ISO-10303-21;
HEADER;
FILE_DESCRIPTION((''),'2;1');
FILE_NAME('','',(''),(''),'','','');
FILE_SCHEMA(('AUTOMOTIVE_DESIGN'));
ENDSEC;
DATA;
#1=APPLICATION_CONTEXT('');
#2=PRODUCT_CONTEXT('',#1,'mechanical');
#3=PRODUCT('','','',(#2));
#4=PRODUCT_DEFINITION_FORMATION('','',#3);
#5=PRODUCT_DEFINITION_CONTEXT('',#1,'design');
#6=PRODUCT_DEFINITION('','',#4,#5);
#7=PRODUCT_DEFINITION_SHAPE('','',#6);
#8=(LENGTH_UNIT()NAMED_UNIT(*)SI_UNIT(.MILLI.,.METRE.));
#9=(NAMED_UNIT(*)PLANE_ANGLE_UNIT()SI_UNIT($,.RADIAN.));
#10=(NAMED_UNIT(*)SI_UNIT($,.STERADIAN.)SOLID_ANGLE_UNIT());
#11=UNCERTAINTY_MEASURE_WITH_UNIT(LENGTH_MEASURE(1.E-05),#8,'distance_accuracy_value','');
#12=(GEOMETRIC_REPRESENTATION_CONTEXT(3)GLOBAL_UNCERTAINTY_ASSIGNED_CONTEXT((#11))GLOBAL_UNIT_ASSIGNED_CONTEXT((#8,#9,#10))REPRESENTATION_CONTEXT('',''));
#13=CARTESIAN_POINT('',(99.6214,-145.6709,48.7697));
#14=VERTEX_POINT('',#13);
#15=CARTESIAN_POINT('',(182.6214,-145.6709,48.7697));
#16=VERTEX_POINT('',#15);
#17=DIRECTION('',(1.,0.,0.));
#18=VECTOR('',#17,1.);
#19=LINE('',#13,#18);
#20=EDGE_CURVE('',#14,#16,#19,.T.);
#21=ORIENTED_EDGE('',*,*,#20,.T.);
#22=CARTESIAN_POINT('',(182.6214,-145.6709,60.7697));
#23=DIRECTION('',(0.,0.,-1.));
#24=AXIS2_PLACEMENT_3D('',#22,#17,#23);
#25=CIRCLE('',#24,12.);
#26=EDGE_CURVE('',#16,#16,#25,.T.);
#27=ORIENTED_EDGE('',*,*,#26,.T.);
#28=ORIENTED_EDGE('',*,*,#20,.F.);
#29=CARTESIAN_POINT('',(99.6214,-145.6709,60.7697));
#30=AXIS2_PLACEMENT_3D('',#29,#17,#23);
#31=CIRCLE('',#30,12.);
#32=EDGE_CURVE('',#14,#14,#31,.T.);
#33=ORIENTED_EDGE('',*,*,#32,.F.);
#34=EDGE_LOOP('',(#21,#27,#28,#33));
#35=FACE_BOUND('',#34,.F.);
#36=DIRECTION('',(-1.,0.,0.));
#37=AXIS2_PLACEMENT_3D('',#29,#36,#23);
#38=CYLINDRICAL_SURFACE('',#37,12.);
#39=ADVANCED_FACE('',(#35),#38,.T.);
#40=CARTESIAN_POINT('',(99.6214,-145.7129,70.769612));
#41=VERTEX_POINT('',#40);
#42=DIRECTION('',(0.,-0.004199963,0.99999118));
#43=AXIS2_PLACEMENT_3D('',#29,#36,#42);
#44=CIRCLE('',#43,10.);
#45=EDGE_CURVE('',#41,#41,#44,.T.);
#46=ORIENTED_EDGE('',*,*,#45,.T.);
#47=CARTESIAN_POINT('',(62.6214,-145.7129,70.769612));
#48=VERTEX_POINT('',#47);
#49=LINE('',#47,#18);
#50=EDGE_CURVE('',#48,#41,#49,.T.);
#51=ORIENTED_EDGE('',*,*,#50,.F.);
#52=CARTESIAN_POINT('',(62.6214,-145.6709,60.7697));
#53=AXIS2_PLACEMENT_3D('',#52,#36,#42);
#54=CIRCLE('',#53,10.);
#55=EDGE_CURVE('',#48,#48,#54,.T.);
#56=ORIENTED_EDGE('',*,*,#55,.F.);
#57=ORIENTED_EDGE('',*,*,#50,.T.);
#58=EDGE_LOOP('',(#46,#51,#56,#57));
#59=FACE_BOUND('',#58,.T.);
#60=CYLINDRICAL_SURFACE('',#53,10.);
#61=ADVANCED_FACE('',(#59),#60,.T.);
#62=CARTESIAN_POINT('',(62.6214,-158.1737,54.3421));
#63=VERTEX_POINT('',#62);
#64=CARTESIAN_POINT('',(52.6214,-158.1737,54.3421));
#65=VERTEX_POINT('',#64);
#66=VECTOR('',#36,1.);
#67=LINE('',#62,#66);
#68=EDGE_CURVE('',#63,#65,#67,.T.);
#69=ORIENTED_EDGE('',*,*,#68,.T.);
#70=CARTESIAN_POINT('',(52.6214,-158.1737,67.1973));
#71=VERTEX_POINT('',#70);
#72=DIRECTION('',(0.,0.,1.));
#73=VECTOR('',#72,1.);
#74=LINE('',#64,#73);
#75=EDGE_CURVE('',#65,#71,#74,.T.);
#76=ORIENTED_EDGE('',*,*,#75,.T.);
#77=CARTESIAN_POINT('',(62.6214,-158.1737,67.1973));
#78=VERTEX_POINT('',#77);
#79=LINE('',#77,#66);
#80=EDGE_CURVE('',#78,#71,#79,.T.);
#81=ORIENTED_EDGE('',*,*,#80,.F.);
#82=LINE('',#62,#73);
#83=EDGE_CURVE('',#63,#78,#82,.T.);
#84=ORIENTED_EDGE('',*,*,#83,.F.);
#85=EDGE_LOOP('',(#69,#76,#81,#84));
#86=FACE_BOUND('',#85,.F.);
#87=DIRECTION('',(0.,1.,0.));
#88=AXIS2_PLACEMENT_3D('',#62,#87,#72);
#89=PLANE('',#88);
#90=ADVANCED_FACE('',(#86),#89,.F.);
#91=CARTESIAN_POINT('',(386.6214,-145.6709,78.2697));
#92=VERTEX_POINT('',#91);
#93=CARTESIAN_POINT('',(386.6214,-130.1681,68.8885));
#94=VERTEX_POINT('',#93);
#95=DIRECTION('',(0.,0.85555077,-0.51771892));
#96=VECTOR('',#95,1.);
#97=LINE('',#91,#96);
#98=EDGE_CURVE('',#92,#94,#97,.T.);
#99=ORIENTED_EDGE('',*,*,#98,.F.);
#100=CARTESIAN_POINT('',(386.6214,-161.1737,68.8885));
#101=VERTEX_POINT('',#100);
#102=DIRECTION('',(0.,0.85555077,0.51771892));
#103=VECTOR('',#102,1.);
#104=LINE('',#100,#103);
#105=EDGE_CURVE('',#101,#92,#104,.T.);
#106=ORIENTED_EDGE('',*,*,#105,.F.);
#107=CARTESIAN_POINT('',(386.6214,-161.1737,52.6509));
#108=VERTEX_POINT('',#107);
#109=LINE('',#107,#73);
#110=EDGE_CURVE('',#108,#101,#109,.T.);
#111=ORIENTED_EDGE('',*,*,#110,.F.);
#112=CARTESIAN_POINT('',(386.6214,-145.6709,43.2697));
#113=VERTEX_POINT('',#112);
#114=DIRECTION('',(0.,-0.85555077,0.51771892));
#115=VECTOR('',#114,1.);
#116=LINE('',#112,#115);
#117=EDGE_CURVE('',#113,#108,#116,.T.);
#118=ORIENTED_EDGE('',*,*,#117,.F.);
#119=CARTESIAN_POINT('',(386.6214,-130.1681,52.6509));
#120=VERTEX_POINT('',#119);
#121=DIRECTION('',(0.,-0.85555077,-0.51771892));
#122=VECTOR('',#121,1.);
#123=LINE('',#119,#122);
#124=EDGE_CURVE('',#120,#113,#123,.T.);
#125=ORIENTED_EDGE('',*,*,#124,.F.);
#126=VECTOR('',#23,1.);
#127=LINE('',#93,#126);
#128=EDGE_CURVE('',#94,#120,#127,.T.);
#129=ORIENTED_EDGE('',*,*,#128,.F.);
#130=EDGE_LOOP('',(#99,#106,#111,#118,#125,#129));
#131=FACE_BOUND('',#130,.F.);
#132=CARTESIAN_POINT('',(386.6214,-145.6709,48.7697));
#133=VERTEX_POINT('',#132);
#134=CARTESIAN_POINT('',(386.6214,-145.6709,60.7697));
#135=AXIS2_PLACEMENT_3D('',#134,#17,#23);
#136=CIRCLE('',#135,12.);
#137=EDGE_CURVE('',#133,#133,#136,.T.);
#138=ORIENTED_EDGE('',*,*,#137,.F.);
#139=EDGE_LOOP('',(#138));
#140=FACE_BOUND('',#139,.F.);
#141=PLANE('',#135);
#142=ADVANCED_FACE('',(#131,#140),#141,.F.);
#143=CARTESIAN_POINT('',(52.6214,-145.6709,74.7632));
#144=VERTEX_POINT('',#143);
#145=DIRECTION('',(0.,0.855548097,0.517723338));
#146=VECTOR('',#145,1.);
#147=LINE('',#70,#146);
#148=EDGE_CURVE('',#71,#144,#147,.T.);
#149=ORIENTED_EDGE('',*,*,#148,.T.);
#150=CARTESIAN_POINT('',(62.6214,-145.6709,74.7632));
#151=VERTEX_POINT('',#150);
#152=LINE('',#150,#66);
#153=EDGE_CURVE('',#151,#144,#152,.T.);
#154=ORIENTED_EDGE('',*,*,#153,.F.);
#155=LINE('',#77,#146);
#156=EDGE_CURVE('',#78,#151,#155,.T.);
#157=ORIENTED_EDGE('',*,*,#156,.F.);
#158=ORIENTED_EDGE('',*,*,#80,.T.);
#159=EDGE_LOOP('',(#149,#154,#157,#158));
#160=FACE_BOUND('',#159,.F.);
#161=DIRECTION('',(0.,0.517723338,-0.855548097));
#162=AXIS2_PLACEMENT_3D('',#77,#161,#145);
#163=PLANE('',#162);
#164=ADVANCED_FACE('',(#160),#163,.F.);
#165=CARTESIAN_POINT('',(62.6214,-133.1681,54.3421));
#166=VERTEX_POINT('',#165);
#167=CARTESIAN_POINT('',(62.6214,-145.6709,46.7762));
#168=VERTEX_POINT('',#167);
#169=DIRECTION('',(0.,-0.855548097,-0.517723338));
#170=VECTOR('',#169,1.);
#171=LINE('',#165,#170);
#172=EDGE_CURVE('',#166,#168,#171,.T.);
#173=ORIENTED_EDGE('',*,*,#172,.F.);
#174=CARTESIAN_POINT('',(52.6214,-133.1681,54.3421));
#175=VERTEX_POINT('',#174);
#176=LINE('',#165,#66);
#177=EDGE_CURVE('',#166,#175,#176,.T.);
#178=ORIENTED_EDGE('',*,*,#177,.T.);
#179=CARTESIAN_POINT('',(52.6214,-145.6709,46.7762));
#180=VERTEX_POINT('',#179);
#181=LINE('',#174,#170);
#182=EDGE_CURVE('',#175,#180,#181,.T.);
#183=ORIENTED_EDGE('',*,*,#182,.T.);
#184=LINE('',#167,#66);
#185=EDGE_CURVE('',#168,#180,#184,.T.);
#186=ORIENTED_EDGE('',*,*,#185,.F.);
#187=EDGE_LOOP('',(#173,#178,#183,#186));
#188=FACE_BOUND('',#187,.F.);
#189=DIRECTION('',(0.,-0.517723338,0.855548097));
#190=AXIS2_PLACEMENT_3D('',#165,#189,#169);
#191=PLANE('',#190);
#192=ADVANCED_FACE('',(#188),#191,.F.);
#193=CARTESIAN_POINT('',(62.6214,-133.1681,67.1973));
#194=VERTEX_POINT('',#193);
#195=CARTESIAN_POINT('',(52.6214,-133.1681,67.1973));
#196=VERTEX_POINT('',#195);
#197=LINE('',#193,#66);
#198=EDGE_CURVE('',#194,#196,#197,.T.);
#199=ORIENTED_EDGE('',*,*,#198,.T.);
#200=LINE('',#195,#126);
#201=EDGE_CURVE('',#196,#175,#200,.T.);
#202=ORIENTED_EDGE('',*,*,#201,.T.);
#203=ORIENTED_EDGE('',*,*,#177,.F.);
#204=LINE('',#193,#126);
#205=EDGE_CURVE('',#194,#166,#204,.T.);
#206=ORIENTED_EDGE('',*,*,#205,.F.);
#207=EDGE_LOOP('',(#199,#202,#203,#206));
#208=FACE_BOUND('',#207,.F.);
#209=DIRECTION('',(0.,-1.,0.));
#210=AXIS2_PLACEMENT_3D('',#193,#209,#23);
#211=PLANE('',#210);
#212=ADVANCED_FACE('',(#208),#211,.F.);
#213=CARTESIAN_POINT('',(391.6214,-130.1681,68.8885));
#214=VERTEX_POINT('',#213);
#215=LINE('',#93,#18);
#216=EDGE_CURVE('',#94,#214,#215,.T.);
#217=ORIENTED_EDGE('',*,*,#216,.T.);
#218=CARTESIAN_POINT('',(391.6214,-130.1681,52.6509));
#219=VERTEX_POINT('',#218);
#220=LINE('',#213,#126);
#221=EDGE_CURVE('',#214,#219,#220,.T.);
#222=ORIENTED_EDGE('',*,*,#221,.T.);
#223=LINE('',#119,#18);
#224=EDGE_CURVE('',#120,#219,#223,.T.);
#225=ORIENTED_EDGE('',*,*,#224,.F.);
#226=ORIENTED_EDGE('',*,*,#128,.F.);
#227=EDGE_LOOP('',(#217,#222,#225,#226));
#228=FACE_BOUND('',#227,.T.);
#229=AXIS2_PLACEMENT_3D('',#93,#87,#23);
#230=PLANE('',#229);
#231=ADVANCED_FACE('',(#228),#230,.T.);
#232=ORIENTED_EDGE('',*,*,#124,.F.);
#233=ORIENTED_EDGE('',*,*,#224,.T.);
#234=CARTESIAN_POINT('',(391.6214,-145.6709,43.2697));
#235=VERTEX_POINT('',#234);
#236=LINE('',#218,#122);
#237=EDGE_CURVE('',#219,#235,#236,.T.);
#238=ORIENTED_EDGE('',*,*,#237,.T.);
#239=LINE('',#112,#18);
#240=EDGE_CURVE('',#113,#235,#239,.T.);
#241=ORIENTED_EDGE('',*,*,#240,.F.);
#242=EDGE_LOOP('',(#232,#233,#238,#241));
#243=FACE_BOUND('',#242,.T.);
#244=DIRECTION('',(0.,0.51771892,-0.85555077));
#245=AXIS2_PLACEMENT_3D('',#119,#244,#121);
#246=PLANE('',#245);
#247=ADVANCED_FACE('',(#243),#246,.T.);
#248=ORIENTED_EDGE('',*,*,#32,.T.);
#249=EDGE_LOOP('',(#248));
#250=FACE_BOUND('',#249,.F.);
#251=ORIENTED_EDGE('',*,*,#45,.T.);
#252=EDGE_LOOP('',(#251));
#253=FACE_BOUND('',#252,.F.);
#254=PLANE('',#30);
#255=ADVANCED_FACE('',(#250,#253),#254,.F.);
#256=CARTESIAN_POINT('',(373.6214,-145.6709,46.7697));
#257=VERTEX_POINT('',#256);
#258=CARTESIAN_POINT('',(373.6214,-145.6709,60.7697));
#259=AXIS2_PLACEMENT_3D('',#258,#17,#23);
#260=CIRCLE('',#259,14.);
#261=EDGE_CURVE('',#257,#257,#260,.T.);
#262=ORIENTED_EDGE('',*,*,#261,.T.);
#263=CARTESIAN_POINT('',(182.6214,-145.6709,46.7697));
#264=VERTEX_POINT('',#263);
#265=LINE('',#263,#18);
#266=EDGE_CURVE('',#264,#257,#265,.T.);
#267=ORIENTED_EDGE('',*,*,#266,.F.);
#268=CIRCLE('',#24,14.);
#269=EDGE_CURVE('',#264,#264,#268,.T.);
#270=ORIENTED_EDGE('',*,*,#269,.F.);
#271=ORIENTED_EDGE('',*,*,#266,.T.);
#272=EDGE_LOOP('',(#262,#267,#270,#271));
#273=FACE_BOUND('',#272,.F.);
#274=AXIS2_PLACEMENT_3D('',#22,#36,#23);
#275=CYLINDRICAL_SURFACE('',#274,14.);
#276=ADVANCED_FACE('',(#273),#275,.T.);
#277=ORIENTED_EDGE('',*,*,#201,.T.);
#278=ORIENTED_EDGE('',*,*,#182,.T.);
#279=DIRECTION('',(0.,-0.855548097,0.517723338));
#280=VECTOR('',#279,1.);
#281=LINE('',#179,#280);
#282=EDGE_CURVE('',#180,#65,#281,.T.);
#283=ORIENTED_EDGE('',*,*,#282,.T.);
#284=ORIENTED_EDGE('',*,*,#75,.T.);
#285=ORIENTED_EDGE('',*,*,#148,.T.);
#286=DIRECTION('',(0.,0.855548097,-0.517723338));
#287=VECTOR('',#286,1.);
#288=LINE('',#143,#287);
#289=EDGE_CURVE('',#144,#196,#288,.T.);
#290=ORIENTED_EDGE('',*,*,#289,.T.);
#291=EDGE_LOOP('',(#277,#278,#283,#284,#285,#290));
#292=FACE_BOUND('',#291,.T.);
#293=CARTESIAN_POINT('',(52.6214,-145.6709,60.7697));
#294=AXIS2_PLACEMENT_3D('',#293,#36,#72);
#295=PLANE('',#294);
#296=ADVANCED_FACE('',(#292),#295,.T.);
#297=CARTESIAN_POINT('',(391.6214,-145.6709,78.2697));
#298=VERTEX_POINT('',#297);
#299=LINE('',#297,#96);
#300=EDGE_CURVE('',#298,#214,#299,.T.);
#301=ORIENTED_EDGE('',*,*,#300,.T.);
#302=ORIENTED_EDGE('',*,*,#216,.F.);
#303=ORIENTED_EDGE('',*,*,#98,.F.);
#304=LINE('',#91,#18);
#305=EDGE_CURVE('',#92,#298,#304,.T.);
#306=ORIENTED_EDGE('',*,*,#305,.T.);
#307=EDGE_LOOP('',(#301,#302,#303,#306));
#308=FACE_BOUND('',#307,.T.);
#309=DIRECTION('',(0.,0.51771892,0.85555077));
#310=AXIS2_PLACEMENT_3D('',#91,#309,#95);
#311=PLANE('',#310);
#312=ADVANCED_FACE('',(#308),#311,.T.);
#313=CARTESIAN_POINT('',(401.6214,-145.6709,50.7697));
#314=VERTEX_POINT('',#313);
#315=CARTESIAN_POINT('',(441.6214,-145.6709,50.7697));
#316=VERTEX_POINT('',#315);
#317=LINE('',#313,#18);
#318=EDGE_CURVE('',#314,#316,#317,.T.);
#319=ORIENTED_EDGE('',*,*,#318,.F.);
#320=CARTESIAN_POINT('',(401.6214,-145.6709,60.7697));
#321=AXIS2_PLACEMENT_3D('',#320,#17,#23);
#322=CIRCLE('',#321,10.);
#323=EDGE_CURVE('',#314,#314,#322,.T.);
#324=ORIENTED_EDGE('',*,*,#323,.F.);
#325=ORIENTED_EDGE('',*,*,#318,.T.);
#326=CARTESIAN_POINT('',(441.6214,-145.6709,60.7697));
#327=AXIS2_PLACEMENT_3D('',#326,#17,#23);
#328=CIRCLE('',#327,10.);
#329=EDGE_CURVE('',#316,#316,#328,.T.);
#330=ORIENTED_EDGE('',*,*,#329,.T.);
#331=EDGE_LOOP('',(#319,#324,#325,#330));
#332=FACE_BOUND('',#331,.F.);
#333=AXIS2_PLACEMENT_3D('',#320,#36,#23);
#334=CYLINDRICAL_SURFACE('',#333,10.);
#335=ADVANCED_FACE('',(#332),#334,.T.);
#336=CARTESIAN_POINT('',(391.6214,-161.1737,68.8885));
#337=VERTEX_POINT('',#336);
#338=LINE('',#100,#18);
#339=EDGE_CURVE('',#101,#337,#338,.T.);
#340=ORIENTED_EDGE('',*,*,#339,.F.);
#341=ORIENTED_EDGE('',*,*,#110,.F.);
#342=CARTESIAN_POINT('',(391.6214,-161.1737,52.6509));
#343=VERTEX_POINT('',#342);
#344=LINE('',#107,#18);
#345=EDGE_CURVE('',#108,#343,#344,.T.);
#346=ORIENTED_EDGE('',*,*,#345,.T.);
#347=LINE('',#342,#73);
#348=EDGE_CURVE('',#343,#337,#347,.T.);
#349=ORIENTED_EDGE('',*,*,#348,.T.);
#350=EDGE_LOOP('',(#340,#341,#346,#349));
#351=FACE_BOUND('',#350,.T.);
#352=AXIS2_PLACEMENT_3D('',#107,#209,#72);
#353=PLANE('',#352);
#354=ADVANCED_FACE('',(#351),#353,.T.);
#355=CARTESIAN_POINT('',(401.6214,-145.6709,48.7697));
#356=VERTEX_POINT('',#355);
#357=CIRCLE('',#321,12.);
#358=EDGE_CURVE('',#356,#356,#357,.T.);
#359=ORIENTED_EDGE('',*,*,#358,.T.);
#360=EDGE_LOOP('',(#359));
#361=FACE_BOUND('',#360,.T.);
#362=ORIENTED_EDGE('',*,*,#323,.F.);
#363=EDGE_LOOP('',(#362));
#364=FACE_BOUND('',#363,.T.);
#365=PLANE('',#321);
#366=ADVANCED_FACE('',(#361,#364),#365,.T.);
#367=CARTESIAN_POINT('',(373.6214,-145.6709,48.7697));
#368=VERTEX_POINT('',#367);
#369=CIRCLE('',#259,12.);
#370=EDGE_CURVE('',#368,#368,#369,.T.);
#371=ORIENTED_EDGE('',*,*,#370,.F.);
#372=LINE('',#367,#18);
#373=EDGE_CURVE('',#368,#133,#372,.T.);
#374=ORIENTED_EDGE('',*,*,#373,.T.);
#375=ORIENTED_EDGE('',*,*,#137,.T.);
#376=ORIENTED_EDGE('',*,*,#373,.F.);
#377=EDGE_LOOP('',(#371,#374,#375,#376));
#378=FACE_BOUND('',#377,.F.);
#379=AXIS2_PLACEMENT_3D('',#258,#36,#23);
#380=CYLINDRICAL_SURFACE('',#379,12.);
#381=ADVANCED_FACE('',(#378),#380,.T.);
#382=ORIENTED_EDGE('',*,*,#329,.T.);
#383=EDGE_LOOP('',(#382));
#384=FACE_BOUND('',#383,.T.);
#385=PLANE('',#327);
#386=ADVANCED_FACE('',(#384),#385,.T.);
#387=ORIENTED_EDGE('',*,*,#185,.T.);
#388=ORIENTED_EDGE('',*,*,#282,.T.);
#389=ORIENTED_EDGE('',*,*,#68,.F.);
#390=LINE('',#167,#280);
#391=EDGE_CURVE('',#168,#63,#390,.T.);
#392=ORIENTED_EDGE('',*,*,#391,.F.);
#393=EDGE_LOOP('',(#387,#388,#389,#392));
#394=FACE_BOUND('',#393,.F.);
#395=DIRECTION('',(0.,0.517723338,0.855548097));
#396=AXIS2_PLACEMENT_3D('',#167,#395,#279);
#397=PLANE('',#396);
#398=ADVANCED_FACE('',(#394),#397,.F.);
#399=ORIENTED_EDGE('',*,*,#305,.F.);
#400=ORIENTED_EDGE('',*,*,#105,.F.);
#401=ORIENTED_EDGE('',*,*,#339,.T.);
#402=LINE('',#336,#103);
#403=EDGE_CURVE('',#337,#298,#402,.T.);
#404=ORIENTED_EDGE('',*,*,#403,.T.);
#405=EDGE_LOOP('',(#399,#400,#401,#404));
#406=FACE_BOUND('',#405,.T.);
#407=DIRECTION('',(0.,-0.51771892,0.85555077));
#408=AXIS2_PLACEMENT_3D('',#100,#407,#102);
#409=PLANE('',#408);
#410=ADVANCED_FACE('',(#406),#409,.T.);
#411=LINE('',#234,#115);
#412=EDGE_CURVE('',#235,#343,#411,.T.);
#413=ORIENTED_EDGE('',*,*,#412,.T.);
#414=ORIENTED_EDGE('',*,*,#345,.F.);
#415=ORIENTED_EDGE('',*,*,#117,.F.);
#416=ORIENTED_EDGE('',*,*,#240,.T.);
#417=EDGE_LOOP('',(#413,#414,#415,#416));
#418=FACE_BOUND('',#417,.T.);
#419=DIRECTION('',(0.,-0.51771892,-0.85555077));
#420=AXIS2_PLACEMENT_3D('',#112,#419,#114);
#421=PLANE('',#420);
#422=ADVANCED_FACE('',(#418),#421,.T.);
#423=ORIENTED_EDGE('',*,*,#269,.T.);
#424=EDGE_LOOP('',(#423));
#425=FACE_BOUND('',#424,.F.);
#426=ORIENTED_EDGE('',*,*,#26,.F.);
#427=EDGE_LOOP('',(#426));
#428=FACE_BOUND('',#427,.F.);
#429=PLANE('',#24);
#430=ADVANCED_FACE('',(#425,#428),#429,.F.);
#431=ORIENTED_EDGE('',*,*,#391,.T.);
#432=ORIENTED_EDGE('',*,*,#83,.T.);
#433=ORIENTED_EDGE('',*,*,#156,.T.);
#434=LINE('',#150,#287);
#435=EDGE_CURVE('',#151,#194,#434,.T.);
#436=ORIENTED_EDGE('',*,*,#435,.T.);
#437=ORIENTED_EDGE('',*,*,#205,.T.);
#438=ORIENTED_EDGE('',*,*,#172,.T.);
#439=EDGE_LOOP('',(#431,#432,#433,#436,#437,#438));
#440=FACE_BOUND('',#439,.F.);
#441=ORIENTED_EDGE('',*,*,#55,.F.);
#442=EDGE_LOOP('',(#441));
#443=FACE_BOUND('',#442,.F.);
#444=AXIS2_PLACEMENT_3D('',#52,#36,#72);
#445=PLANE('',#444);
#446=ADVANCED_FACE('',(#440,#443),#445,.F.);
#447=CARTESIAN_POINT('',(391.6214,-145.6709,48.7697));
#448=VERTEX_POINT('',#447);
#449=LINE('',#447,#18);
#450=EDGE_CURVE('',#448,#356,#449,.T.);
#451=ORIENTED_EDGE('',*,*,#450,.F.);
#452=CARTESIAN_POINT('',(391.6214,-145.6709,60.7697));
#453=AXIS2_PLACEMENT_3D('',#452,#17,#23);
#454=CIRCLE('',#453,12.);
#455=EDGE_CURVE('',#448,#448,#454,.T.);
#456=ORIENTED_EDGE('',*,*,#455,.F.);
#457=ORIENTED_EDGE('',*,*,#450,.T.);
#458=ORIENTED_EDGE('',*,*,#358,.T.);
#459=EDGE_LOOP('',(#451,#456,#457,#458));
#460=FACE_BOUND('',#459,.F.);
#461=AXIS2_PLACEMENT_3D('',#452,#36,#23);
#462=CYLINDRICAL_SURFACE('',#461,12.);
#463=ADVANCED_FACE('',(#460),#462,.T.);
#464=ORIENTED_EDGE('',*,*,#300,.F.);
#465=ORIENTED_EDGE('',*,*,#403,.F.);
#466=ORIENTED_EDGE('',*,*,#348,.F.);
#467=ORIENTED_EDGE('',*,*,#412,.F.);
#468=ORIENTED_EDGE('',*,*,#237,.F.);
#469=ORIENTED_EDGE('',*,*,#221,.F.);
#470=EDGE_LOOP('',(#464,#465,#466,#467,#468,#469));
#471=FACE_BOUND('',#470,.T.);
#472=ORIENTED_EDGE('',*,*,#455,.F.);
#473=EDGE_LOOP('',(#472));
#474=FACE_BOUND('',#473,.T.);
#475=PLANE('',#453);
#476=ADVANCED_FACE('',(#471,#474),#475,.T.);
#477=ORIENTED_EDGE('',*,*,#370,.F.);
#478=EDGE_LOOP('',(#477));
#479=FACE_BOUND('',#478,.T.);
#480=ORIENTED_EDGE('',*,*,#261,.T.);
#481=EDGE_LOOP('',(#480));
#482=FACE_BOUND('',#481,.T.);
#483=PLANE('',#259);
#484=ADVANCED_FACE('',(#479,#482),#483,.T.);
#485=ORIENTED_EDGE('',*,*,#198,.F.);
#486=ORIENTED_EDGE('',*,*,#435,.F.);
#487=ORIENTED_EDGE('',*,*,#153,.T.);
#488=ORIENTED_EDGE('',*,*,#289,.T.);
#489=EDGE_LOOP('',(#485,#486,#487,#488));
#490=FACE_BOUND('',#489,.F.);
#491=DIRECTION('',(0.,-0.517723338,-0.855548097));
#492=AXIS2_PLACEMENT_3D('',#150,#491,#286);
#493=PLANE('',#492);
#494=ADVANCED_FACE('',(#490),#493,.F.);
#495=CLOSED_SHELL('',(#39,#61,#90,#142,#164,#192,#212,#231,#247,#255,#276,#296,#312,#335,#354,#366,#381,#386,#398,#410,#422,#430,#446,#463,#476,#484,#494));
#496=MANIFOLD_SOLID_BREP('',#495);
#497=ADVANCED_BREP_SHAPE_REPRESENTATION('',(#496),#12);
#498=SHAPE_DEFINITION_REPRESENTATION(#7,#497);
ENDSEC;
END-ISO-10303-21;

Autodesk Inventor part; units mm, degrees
ref_plane "YZ Plane" through (0, 0, 0) normal (1, 0, 0) x (0, 1, 0)
ref_plane "XZ Plane" through (0, 0, 0) normal (0, 1, 0) x (-1, 0, 0)
ref_plane "Arbeitsebene1" through (62.6214, -145.6709, 60.7697) normal (-1, 0, 0) x (0, -0.0042, 1)
sketch "Skizze1" plane through (62.6214, -145.6709, 60.7697) normal (-1, 0, 0) x (0, -0.0042, 1)
  circle A0 centre (0, 0) radius 10
  point P0 (-61.3791, 145.4152)
  dimension "d0" = 20
extrude "Extrusion1" add sketch "Skizze1" against normal blind 37
sketch "Skizze2" plane through (99.6214, -145.6709, 60.7697) normal (1, 0, 0) x (0, 0, -1)
  circle A0 centre (0, 0) radius 10 projected
  circle A1 centre (0, 0) radius 12
  point P0 (60.7697, 145.6709)
  dimension "d3" = 24
extrude "Extrusion2" add sketch "Skizze2" along normal blind 83 contours A0 | A1
sketch "Skizze3" plane through (182.6214, -145.6709, 60.7697) normal (1, 0, 0) x (0, 0, -1)
  circle A0 centre (0, 0) radius 12 projected
  circle A1 centre (0, 0) radius 14
  point P0 (60.7697, 145.6709)
  dimension "d6" = 28
extrude "Extrusion3" add sketch "Skizze3" along normal blind 191 contours A0 | A1
sketch "Skizze4" plane through (373.6214, -145.6709, 60.7697) normal (1, 0, 0) x (0, 0, -1)
  circle A0 centre (0, 0) radius 10 projected
  circle A1 centre (0, 0) radius 12
  point P0 (60.7697, 145.6709)
  dimension "d9" = 24
extrude "Extrusion4" add sketch "Skizze4" along normal blind 13 contours A0 | A1
sketch "Skizze5" plane through (386.6214, -145.6709, 60.7697) normal (1, 0, 0) x (0, 0, -1)
  circle A0 centre (0, 0) radius 12 projected
  circle A1 centre (0, 0) radius 17.5 construction
  line L0 (-8.1188, 15.5028) -> (8.1188, 15.5028)
  line L1 (8.1188, 15.5028) -> (17.5, 0)
  line L2 (17.5, 0) -> (8.1188, -15.5028)
  line L3 (8.1188, -15.5028) -> (-8.1188, -15.5028)
  line L4 (-8.1188, -15.5028) -> (-17.5, 0)
  line L5 (-17.5, 0) -> (-8.1188, 15.5028)
  point P0 (60.7697, 145.6709)
  dimension "d12" = 35
extrude "Extrusion5" add sketch "Skizze5" along normal blind 5 contours A0 | L0 L1 L2 L3 L4 L5
sketch "Skizze6" plane through (391.6214, -145.6709, 60.7697) normal (1, 0, 0) x (0, 0, -1)
  circle A0 centre (0, 0) radius 10 projected
  circle A1 centre (0, 0) radius 12
  point P0 (60.7697, 145.6709)
  dimension "d15" = 24
extrude "Extrusion6" add sketch "Skizze6" along normal blind 10 contours A0 | A1
sketch "Skizze7" plane through (401.6214, -145.6709, 60.7697) normal (1, 0, 0) x (0, 0, -1)
  circle A0 centre (0, 0) radius 10 projected
  circle A1 centre (0, 0) radius 10
  point P0 (60.7697, 145.6709)
  dimension "d18" = 20
extrude "Extrusion7" add sketch "Skizze7" along normal blind 40
sketch "Skizze8" plane through (62.6214, -145.6709, 60.7697) normal (-1, 0, 0) x (0, 0, 1)
  line L0 (8.1188, 15.5028) -> (17.5, 0) projected
  line L1 (17.5, 0) -> (8.1188, -15.5028) projected
  line L2 (-8.1188, 15.5028) -> (8.1188, 15.5028) projected
  line L3 (-17.5, 0) -> (-8.1188, 15.5028) projected
  line L4 (-8.1188, -15.5028) -> (-17.5, 0) projected
  line L5 (8.1188, -15.5028) -> (-8.1188, -15.5028) projected
  line L6 (13.9935, 0) -> (6.4276, 12.5028)
  line L7 (6.4276, 12.5028) -> (-6.4276, 12.5028)
  line L8 (-6.4276, 12.5028) -> (-13.9935, 0)
  line L9 (-13.9935, 0) -> (-6.4276, -12.5028)
  line L10 (-6.4276, -12.5028) -> (6.4276, -12.5028)
  line L11 (6.4276, -12.5028) -> (13.9935, 0)
  point P0 (-60.7697, 145.6709)
  dimension "d23" = 3
extrude "Extrusion8" add sketch "Skizze8" along normal blind 10 contours L11 L10 L9 L8 L7 L6
properties part number "Welle"
